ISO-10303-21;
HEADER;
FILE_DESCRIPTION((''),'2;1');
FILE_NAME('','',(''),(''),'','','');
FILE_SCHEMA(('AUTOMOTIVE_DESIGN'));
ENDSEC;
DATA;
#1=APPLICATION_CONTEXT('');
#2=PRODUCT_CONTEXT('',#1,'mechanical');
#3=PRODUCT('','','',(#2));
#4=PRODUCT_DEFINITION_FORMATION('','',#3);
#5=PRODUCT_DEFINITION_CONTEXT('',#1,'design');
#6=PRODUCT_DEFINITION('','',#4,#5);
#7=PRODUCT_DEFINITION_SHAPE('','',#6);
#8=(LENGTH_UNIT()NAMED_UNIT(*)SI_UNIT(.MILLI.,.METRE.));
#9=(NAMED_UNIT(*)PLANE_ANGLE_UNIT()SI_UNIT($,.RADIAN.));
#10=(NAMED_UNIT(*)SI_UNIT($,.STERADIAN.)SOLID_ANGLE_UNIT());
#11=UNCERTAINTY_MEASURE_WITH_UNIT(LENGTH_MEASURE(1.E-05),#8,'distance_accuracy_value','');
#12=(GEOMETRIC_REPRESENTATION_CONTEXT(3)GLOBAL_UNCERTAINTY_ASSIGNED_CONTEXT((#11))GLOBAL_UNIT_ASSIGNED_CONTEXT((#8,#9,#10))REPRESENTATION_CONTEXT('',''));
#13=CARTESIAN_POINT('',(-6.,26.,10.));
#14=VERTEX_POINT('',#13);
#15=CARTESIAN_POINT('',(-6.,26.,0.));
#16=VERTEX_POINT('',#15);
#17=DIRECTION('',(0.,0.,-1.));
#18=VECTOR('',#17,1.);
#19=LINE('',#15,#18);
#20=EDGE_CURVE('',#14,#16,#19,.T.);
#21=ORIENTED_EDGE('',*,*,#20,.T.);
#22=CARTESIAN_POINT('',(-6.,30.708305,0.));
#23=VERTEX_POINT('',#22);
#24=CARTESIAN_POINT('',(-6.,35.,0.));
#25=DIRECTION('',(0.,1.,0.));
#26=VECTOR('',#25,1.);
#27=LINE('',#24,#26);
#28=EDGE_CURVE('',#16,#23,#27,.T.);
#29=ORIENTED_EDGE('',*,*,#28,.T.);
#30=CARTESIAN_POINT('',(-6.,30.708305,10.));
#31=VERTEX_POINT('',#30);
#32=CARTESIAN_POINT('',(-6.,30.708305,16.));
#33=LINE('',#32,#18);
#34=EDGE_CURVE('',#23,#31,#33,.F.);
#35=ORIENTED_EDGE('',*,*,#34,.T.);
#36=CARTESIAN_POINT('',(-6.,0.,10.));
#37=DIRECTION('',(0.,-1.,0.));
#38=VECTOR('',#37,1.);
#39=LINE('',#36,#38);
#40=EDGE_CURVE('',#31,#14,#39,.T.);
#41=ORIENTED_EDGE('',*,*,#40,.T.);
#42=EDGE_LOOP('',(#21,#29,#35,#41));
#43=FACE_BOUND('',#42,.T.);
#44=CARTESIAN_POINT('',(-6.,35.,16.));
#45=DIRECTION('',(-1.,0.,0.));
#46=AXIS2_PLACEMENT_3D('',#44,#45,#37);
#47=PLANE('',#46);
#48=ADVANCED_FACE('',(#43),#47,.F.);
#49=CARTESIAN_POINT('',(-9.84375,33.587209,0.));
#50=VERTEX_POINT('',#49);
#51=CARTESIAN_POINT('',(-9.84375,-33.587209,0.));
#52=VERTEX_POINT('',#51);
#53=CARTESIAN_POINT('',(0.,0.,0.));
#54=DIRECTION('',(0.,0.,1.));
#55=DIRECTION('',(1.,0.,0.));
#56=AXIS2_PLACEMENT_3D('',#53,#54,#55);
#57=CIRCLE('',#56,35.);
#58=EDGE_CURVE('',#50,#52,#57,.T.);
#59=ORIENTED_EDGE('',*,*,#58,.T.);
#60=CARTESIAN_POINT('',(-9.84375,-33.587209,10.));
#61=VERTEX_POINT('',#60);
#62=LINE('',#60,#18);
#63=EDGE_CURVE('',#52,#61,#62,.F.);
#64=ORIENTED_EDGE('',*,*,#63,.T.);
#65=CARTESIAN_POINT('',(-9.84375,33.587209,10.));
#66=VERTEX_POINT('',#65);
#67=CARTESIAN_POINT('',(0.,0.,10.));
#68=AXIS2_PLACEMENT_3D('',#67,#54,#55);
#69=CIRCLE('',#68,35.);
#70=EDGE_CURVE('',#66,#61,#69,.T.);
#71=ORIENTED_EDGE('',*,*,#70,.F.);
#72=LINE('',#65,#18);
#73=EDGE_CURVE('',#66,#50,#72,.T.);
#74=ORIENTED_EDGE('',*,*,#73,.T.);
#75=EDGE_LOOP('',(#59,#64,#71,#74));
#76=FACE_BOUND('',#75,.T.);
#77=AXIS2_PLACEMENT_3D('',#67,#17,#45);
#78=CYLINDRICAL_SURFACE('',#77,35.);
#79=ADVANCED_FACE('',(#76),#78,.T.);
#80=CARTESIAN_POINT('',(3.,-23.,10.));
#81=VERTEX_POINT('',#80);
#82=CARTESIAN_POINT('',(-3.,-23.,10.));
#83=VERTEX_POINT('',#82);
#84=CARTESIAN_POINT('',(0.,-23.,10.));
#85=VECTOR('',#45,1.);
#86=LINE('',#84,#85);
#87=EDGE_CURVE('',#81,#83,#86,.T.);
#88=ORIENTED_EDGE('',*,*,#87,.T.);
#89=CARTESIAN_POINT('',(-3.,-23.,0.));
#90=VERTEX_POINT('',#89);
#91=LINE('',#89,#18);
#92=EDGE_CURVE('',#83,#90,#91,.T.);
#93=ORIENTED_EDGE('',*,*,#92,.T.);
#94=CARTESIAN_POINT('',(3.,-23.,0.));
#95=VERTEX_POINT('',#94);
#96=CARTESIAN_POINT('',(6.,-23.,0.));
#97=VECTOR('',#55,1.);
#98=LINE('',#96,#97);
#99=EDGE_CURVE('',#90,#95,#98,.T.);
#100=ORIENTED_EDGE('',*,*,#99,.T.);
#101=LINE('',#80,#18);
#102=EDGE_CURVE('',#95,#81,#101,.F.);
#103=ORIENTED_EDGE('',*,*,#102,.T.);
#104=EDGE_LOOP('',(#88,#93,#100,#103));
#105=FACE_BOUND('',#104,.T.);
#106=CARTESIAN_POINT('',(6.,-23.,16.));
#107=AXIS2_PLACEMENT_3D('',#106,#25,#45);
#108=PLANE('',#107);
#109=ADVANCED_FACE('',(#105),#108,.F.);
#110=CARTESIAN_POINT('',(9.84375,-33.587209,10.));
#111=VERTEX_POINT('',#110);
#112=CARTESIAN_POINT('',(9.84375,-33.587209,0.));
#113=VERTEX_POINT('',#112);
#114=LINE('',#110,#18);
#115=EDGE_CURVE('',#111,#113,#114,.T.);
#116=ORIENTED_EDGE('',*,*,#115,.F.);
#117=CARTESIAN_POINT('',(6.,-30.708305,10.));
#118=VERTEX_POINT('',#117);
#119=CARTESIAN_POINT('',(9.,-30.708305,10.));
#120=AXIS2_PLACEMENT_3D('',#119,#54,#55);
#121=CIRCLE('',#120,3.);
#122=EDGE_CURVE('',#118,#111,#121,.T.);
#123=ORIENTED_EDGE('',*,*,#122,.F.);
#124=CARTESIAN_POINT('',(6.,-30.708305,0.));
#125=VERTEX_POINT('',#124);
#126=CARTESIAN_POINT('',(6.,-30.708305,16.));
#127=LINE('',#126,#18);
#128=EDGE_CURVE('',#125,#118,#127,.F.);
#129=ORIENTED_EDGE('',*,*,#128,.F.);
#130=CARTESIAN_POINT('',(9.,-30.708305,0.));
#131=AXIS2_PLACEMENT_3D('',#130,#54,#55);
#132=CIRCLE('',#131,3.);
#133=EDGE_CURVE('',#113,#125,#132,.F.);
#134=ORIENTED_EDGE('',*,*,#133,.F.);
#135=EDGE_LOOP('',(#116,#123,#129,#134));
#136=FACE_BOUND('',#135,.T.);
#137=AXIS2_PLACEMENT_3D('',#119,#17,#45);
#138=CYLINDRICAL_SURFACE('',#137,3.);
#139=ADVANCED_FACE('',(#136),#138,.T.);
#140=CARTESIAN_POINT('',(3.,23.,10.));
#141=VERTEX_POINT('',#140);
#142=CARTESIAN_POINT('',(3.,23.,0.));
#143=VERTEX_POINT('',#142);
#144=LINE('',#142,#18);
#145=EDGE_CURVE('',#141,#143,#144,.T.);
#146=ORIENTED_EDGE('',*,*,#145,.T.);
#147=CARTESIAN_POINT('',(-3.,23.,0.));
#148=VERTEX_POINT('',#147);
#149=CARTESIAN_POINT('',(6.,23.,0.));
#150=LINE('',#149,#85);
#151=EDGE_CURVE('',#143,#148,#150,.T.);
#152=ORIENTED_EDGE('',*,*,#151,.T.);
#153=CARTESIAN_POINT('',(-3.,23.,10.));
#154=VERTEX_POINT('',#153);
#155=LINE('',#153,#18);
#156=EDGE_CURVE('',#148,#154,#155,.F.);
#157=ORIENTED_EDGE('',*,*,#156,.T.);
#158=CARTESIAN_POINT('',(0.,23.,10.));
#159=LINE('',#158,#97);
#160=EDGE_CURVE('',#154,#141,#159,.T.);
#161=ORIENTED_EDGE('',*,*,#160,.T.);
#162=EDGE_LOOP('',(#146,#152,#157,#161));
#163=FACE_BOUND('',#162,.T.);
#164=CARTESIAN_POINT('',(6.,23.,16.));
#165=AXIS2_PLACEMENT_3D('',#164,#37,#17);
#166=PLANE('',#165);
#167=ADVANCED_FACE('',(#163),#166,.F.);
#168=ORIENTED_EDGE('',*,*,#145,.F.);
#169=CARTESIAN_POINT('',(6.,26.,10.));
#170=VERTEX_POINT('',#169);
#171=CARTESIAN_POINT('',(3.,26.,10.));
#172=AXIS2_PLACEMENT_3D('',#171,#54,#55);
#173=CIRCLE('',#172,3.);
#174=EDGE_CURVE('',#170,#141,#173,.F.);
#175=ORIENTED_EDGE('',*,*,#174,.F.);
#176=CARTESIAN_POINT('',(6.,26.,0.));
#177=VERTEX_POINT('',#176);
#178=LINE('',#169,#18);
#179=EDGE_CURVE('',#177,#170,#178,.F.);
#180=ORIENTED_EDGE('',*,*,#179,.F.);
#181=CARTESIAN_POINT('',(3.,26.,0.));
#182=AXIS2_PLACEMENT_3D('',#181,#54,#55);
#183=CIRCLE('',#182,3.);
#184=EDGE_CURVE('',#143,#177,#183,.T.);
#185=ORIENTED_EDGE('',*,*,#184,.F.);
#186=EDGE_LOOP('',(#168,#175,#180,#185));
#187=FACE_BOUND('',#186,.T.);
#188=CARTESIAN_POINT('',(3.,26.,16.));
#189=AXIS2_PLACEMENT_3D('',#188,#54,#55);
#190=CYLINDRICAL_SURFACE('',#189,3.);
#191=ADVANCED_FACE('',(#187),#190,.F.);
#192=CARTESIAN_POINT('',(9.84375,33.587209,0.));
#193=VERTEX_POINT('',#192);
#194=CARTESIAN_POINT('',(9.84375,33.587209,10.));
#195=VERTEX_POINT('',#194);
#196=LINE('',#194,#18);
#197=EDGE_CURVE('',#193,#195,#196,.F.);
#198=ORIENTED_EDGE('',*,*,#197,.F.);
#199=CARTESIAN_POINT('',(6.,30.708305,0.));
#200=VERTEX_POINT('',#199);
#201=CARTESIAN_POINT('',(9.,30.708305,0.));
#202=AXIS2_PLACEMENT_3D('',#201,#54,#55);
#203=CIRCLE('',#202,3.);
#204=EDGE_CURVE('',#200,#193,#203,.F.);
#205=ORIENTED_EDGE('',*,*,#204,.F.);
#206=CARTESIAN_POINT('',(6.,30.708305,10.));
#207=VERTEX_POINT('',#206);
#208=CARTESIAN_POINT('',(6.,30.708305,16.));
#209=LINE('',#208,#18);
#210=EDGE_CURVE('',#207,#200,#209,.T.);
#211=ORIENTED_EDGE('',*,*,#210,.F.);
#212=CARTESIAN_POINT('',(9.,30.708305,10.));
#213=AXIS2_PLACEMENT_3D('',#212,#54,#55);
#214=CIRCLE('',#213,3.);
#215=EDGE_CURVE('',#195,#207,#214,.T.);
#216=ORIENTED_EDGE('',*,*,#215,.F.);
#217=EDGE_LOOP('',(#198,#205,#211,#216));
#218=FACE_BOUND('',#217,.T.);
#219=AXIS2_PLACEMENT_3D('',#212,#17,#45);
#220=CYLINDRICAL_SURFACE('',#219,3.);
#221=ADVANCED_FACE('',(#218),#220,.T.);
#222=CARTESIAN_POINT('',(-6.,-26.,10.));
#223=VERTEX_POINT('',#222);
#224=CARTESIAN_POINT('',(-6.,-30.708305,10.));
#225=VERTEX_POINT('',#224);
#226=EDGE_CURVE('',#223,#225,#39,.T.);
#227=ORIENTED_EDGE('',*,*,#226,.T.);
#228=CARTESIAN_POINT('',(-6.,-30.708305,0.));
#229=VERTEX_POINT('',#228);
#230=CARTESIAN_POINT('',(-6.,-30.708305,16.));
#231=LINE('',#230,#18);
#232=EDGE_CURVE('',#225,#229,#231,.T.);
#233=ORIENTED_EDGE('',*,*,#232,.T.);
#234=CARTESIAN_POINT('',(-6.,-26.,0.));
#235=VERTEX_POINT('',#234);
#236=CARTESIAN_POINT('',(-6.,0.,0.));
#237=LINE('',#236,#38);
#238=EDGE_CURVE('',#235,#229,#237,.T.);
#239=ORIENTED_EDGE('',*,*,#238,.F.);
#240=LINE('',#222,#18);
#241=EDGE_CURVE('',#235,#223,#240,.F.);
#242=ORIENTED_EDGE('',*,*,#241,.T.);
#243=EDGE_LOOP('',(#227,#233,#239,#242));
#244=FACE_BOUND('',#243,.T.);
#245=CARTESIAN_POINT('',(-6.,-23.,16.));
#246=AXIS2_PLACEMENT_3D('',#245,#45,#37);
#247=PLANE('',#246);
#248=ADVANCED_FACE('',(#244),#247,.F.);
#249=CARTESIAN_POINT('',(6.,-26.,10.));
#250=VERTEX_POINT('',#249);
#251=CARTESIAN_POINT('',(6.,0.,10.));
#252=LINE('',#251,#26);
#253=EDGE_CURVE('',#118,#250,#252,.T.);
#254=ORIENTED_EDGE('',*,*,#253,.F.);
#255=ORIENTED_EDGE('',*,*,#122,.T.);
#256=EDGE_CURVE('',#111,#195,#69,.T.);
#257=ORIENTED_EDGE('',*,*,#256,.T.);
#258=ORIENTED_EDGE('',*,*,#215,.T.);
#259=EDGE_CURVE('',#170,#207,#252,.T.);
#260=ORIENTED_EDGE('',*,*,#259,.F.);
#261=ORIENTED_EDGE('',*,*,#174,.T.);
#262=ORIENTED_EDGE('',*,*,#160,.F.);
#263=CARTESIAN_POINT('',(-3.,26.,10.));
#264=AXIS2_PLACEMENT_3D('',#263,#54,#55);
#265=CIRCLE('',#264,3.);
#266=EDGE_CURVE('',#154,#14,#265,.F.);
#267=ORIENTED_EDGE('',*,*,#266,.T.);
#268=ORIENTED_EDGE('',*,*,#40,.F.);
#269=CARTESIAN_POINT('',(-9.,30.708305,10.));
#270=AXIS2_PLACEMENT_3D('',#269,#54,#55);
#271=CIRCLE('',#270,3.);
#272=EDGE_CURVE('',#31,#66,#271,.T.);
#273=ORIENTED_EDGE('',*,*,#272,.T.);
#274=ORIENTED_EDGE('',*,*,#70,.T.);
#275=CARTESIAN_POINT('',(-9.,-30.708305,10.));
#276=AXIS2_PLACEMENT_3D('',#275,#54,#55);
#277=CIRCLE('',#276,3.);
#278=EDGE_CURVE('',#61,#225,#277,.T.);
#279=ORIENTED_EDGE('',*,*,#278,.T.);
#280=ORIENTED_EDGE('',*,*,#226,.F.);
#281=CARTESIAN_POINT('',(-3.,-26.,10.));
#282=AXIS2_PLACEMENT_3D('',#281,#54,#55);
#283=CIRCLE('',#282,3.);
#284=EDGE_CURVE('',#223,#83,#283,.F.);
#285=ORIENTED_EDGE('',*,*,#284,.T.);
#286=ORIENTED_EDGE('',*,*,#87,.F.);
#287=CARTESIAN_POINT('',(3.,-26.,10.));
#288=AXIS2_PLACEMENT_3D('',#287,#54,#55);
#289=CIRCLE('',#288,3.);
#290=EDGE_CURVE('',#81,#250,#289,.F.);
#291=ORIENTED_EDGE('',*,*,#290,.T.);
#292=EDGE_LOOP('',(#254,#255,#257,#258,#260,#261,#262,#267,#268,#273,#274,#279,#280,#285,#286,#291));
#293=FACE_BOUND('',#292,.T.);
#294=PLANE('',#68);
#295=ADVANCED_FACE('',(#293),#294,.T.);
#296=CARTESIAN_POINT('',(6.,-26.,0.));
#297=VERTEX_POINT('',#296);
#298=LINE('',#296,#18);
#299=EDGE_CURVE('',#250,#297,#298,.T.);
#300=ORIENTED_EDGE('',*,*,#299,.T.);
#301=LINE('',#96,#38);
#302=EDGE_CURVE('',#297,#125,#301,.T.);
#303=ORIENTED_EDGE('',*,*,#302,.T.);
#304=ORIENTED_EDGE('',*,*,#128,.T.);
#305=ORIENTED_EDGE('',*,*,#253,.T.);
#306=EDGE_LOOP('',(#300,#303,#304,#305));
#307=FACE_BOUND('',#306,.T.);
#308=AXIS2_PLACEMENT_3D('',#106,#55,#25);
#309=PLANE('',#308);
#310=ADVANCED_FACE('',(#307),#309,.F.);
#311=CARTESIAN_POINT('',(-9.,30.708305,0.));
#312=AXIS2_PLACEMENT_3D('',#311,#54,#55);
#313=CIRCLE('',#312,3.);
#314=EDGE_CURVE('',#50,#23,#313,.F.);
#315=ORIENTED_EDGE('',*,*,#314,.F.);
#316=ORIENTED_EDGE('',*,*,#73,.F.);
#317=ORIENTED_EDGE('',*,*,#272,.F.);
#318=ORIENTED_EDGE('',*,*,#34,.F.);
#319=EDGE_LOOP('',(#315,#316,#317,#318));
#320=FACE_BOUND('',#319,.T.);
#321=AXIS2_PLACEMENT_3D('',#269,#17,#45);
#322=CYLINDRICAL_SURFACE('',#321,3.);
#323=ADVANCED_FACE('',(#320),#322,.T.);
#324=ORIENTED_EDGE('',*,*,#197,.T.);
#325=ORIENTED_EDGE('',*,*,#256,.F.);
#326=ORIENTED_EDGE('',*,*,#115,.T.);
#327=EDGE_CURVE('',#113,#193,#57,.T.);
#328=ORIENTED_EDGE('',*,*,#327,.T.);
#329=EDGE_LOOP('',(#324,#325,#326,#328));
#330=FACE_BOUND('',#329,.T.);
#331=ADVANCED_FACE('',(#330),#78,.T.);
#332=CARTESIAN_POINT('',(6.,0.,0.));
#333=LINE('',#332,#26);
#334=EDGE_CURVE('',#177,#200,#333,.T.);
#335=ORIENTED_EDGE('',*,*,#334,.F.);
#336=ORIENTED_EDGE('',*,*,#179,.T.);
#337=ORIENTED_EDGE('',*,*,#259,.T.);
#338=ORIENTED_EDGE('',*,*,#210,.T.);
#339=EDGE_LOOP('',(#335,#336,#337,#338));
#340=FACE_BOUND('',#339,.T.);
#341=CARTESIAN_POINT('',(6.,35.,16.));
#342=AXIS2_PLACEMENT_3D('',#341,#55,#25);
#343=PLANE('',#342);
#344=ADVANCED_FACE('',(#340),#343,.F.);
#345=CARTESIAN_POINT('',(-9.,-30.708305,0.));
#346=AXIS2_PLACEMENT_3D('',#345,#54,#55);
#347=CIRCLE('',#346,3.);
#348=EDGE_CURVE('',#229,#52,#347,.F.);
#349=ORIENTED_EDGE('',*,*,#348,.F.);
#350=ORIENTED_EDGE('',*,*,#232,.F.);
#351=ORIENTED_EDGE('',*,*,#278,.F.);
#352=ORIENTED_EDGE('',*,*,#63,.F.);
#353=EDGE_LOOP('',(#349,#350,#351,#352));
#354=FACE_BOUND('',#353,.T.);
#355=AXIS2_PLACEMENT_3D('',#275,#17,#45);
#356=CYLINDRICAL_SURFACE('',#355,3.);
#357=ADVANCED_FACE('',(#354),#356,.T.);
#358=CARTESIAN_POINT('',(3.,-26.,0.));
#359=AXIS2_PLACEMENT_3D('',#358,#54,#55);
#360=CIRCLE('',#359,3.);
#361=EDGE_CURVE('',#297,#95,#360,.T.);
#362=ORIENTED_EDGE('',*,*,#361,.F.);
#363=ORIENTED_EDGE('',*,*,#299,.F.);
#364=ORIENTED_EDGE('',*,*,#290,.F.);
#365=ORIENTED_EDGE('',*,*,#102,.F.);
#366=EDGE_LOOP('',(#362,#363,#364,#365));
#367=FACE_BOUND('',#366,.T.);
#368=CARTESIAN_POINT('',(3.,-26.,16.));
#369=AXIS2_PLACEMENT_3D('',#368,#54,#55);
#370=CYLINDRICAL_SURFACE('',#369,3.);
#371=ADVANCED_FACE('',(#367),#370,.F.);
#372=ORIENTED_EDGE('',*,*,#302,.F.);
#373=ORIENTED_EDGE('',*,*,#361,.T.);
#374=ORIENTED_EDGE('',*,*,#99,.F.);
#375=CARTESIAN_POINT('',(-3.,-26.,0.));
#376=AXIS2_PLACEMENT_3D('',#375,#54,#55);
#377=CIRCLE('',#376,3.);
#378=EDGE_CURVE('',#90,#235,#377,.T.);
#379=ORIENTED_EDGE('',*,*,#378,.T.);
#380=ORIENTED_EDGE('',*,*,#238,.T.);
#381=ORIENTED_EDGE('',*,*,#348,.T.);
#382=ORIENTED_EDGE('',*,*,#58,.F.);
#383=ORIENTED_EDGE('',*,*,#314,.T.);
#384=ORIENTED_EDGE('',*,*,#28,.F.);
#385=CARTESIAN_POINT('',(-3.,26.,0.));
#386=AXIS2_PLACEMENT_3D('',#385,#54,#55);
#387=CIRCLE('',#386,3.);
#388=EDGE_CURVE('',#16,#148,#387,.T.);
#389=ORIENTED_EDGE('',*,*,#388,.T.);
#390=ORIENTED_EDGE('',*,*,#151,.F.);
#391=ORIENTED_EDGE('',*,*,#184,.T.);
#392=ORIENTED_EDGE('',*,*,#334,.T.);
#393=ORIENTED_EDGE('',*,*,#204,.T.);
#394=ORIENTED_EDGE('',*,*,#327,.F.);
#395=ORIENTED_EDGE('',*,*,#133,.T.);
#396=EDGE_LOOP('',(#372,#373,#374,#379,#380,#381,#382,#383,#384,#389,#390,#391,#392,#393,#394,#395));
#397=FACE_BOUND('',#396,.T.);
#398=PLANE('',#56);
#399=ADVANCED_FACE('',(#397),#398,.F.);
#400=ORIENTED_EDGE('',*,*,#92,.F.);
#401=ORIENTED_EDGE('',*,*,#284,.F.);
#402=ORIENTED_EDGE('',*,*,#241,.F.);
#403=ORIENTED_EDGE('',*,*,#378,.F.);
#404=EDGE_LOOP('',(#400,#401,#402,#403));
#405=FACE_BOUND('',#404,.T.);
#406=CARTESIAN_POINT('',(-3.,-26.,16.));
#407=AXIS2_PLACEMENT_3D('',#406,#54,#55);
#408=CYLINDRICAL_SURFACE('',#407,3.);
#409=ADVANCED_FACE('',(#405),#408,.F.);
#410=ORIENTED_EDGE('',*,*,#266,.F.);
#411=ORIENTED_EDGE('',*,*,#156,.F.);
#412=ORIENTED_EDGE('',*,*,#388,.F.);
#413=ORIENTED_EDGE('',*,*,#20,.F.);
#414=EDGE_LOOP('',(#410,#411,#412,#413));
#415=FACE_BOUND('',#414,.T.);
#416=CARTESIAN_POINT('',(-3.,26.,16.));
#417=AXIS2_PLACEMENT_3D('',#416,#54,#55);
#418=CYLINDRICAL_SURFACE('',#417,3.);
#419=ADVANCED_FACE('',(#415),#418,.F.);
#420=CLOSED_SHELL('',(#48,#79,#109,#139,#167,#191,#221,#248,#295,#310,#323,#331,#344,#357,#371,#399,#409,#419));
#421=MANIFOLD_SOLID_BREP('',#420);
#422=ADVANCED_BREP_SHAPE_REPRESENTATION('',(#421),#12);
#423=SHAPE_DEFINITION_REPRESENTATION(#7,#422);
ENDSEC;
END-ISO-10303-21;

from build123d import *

# Parameters (mm, degrees)
IZIM1_R                     = 35
Y_KSEKLIK_EKSTR_ZYON1_DEPTH = 10
IZIM2_W                     = 12
IZIM2_H                     = 12
KES_EKSTR_ZYON1_DEPTH       = 16
RADYUS1_R                   = 3


with BuildPart() as part:
    # Çizim1 → Yükseklik-Ekstrüzyon1 (new body)
    with BuildSketch(Plane.XY):
        Circle(IZIM1_R)
    extrude(amount=Y_KSEKLIK_EKSTR_ZYON1_DEPTH)

    # Çizim2 → Kes-Ekstrüzyon1 (cut)
    with BuildSketch(Plane(origin=(0, 0, 0), x_dir=(-1, 0, 0), z_dir=(0, 0, -1))):
        with Locations((0, 29)):
            Rectangle(IZIM2_W, IZIM2_H)
        with Locations((0, -29)):
            Rectangle(IZIM2_W, IZIM2_H)
    extrude(amount=-KES_EKSTR_ZYON1_DEPTH, mode=Mode.SUBTRACT)

    # Radyus1
    radyus1_edges = [part.edges().sort_by_distance(p)[0] for p in [
        (-6, 34.481879299, 5),
        (6, 34.481879299, 5),
        (6, 23, 5),
        (-6, 23, 5),
        (-6, -34.481879299, 5),
        (-6, -23, 5),
        (6, -34.481879299, 5),
        (6, -23, 5),
    ]]
    fillet(radyus1_edges, radius=RADYUS1_R)


solid = part.part
